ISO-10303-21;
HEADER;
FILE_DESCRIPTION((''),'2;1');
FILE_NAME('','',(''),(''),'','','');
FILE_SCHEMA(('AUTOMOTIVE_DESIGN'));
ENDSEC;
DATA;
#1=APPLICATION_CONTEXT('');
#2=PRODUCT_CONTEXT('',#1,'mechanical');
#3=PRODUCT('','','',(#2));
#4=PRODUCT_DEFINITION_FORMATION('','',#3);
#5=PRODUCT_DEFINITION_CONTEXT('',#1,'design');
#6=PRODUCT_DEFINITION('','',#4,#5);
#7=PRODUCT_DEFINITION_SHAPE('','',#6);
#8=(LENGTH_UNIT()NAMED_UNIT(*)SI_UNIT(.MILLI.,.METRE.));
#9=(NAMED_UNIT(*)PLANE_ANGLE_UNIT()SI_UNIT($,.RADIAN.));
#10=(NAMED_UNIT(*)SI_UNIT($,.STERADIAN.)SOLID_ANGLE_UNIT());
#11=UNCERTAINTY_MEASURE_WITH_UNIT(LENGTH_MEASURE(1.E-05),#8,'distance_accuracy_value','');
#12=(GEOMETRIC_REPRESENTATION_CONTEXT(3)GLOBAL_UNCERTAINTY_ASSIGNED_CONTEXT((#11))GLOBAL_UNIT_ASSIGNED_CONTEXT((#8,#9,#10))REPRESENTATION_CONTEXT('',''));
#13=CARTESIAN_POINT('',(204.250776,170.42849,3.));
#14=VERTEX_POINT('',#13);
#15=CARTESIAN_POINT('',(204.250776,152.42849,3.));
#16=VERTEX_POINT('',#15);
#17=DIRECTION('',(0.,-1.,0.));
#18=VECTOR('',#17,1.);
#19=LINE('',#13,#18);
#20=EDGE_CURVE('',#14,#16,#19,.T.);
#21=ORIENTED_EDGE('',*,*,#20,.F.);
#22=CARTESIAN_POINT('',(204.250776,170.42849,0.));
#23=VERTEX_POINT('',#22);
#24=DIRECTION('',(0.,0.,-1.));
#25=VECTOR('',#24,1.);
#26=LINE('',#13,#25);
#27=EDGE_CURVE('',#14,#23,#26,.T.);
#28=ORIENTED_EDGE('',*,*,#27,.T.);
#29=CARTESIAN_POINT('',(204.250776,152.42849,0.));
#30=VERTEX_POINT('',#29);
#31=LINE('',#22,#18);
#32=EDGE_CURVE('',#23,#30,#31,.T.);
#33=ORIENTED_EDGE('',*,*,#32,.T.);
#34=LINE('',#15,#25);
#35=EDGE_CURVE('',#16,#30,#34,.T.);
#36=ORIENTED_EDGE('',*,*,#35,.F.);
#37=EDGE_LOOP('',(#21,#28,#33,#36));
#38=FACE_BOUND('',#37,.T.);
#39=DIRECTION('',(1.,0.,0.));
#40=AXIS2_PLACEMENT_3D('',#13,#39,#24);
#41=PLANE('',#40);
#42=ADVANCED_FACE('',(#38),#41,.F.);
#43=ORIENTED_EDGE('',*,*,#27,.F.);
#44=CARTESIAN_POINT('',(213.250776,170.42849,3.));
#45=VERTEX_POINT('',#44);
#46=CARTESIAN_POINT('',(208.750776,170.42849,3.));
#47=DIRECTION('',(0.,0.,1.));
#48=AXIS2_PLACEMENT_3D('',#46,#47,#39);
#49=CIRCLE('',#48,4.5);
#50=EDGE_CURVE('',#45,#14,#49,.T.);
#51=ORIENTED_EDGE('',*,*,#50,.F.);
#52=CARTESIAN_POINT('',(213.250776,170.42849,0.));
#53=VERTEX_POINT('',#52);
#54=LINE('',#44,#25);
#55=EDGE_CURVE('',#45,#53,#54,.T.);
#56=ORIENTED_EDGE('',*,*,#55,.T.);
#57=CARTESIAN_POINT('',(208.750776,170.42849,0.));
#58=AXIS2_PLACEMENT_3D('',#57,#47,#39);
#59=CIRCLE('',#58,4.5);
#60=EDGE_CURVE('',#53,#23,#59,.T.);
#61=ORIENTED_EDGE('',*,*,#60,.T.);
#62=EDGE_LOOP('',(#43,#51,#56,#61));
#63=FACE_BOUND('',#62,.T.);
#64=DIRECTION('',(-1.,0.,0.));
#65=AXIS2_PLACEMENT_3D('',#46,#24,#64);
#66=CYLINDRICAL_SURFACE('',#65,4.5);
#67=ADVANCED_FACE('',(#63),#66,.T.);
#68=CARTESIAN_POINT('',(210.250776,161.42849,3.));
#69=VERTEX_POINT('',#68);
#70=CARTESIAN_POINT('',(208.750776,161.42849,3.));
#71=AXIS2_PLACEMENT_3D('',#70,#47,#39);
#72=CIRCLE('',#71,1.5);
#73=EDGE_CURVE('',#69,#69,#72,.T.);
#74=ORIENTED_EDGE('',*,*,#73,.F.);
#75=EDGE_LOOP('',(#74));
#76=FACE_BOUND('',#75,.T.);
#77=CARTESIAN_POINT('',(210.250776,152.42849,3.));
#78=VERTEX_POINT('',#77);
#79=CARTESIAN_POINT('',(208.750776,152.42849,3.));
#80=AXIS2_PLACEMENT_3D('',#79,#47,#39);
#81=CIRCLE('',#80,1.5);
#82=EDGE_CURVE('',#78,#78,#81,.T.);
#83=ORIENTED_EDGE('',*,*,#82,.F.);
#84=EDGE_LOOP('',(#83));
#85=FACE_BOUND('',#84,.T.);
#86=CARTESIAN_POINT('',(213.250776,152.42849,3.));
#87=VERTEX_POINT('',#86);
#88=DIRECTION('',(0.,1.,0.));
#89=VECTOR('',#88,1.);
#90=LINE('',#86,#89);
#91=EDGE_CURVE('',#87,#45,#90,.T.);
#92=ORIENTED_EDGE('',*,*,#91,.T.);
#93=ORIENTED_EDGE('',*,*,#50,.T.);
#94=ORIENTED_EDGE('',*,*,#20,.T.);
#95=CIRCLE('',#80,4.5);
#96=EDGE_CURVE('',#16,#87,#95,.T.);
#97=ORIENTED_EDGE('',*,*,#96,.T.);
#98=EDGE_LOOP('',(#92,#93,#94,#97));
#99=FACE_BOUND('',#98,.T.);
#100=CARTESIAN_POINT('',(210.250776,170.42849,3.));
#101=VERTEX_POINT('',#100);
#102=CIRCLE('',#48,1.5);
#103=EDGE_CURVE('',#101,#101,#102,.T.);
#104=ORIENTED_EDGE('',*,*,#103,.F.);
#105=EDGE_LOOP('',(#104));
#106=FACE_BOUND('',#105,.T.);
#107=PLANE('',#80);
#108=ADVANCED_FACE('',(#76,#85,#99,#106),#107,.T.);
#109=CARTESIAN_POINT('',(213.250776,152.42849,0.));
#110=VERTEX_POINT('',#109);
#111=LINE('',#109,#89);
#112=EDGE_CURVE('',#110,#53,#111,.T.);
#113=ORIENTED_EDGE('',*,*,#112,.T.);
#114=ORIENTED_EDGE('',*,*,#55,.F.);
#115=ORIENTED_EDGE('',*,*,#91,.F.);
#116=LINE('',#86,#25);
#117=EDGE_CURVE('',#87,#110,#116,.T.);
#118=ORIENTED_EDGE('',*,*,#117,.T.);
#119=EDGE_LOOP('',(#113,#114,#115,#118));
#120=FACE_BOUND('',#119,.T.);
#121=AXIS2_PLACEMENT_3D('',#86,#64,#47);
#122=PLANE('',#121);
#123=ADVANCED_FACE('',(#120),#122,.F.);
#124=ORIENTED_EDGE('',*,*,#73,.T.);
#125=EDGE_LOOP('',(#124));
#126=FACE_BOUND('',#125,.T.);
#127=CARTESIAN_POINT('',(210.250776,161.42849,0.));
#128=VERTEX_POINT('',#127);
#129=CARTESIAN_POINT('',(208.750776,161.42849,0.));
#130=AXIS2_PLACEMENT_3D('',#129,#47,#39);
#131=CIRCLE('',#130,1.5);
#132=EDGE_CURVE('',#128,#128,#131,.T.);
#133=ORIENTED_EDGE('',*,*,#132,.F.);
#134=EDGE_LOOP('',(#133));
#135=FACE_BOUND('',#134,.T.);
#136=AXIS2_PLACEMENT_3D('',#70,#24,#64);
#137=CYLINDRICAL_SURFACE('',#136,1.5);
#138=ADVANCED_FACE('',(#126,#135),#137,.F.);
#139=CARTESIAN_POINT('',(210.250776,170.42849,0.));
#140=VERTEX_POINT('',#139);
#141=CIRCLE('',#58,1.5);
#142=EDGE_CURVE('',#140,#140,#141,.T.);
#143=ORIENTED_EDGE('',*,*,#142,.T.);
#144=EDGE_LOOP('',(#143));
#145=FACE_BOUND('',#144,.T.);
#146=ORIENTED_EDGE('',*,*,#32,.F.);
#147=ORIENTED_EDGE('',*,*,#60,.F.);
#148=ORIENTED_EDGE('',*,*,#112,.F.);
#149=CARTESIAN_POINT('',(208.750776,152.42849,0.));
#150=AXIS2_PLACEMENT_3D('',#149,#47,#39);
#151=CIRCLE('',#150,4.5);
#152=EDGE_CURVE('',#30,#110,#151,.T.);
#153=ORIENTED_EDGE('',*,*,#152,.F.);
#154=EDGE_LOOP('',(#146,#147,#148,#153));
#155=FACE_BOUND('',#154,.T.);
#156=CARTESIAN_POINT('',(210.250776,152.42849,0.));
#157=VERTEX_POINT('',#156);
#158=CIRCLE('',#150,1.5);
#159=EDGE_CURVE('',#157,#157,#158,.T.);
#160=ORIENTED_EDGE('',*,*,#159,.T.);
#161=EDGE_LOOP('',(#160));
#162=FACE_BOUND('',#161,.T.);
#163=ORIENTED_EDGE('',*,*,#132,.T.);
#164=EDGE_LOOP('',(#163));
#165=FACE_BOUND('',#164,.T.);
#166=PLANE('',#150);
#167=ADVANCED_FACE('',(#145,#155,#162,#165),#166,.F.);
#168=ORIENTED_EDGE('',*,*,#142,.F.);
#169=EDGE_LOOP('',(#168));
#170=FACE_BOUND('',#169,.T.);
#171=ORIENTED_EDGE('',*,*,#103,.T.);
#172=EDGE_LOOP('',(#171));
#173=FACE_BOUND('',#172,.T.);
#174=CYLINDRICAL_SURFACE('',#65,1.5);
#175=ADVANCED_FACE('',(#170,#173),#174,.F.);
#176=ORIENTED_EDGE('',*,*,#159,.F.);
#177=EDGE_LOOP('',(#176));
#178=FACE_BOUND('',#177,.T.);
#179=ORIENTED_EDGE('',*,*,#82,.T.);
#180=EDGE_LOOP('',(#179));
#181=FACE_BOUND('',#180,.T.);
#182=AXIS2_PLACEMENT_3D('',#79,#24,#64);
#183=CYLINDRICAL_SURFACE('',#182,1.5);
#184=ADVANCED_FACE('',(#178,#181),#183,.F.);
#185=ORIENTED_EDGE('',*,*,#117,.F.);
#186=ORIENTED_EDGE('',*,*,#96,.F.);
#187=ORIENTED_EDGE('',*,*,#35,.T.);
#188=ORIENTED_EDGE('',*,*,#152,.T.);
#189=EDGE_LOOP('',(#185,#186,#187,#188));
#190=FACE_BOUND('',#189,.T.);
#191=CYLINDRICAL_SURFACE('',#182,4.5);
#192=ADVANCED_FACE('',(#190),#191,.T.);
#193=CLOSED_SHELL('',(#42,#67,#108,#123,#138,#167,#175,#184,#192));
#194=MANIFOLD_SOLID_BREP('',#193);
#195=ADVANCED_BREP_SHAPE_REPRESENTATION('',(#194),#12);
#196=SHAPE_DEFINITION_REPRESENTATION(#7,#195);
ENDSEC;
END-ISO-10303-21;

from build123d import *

# Parameters (mm, degrees)
MODEL_R                 = 1.5
SALIENTE_EXTRUIR1_DEPTH = 3


with BuildPart() as part:
    # Model → Saliente-Extruir1 (new body)
    with BuildSketch(Plane.XY):
        with BuildLine():
            Line((213.25077615, 152.428489513), (213.25077615, 170.428489513))
            ThreePointArc((213.25077615, 170.428489513), (208.75077615, 174.928489513), (204.25077615, 170.428489513))
            Line((204.25077615, 170.428489513), (204.25077615, 152.428489513))
            ThreePointArc((204.25077615, 152.428489513), (208.75077615, 147.928489513), (213.25077615, 152.428489513))
        make_face()
        with Locations((208.75077615, 152.428489513)):
            Circle(MODEL_R, mode=Mode.SUBTRACT)
        with Locations((208.75077615, 161.428489513)):
            Circle(MODEL_R, mode=Mode.SUBTRACT)
        with Locations((208.75077615, 170.428489513)):
            Circle(MODEL_R, mode=Mode.SUBTRACT)
    extrude(amount=SALIENTE_EXTRUIR1_DEPTH)


solid = part.part
